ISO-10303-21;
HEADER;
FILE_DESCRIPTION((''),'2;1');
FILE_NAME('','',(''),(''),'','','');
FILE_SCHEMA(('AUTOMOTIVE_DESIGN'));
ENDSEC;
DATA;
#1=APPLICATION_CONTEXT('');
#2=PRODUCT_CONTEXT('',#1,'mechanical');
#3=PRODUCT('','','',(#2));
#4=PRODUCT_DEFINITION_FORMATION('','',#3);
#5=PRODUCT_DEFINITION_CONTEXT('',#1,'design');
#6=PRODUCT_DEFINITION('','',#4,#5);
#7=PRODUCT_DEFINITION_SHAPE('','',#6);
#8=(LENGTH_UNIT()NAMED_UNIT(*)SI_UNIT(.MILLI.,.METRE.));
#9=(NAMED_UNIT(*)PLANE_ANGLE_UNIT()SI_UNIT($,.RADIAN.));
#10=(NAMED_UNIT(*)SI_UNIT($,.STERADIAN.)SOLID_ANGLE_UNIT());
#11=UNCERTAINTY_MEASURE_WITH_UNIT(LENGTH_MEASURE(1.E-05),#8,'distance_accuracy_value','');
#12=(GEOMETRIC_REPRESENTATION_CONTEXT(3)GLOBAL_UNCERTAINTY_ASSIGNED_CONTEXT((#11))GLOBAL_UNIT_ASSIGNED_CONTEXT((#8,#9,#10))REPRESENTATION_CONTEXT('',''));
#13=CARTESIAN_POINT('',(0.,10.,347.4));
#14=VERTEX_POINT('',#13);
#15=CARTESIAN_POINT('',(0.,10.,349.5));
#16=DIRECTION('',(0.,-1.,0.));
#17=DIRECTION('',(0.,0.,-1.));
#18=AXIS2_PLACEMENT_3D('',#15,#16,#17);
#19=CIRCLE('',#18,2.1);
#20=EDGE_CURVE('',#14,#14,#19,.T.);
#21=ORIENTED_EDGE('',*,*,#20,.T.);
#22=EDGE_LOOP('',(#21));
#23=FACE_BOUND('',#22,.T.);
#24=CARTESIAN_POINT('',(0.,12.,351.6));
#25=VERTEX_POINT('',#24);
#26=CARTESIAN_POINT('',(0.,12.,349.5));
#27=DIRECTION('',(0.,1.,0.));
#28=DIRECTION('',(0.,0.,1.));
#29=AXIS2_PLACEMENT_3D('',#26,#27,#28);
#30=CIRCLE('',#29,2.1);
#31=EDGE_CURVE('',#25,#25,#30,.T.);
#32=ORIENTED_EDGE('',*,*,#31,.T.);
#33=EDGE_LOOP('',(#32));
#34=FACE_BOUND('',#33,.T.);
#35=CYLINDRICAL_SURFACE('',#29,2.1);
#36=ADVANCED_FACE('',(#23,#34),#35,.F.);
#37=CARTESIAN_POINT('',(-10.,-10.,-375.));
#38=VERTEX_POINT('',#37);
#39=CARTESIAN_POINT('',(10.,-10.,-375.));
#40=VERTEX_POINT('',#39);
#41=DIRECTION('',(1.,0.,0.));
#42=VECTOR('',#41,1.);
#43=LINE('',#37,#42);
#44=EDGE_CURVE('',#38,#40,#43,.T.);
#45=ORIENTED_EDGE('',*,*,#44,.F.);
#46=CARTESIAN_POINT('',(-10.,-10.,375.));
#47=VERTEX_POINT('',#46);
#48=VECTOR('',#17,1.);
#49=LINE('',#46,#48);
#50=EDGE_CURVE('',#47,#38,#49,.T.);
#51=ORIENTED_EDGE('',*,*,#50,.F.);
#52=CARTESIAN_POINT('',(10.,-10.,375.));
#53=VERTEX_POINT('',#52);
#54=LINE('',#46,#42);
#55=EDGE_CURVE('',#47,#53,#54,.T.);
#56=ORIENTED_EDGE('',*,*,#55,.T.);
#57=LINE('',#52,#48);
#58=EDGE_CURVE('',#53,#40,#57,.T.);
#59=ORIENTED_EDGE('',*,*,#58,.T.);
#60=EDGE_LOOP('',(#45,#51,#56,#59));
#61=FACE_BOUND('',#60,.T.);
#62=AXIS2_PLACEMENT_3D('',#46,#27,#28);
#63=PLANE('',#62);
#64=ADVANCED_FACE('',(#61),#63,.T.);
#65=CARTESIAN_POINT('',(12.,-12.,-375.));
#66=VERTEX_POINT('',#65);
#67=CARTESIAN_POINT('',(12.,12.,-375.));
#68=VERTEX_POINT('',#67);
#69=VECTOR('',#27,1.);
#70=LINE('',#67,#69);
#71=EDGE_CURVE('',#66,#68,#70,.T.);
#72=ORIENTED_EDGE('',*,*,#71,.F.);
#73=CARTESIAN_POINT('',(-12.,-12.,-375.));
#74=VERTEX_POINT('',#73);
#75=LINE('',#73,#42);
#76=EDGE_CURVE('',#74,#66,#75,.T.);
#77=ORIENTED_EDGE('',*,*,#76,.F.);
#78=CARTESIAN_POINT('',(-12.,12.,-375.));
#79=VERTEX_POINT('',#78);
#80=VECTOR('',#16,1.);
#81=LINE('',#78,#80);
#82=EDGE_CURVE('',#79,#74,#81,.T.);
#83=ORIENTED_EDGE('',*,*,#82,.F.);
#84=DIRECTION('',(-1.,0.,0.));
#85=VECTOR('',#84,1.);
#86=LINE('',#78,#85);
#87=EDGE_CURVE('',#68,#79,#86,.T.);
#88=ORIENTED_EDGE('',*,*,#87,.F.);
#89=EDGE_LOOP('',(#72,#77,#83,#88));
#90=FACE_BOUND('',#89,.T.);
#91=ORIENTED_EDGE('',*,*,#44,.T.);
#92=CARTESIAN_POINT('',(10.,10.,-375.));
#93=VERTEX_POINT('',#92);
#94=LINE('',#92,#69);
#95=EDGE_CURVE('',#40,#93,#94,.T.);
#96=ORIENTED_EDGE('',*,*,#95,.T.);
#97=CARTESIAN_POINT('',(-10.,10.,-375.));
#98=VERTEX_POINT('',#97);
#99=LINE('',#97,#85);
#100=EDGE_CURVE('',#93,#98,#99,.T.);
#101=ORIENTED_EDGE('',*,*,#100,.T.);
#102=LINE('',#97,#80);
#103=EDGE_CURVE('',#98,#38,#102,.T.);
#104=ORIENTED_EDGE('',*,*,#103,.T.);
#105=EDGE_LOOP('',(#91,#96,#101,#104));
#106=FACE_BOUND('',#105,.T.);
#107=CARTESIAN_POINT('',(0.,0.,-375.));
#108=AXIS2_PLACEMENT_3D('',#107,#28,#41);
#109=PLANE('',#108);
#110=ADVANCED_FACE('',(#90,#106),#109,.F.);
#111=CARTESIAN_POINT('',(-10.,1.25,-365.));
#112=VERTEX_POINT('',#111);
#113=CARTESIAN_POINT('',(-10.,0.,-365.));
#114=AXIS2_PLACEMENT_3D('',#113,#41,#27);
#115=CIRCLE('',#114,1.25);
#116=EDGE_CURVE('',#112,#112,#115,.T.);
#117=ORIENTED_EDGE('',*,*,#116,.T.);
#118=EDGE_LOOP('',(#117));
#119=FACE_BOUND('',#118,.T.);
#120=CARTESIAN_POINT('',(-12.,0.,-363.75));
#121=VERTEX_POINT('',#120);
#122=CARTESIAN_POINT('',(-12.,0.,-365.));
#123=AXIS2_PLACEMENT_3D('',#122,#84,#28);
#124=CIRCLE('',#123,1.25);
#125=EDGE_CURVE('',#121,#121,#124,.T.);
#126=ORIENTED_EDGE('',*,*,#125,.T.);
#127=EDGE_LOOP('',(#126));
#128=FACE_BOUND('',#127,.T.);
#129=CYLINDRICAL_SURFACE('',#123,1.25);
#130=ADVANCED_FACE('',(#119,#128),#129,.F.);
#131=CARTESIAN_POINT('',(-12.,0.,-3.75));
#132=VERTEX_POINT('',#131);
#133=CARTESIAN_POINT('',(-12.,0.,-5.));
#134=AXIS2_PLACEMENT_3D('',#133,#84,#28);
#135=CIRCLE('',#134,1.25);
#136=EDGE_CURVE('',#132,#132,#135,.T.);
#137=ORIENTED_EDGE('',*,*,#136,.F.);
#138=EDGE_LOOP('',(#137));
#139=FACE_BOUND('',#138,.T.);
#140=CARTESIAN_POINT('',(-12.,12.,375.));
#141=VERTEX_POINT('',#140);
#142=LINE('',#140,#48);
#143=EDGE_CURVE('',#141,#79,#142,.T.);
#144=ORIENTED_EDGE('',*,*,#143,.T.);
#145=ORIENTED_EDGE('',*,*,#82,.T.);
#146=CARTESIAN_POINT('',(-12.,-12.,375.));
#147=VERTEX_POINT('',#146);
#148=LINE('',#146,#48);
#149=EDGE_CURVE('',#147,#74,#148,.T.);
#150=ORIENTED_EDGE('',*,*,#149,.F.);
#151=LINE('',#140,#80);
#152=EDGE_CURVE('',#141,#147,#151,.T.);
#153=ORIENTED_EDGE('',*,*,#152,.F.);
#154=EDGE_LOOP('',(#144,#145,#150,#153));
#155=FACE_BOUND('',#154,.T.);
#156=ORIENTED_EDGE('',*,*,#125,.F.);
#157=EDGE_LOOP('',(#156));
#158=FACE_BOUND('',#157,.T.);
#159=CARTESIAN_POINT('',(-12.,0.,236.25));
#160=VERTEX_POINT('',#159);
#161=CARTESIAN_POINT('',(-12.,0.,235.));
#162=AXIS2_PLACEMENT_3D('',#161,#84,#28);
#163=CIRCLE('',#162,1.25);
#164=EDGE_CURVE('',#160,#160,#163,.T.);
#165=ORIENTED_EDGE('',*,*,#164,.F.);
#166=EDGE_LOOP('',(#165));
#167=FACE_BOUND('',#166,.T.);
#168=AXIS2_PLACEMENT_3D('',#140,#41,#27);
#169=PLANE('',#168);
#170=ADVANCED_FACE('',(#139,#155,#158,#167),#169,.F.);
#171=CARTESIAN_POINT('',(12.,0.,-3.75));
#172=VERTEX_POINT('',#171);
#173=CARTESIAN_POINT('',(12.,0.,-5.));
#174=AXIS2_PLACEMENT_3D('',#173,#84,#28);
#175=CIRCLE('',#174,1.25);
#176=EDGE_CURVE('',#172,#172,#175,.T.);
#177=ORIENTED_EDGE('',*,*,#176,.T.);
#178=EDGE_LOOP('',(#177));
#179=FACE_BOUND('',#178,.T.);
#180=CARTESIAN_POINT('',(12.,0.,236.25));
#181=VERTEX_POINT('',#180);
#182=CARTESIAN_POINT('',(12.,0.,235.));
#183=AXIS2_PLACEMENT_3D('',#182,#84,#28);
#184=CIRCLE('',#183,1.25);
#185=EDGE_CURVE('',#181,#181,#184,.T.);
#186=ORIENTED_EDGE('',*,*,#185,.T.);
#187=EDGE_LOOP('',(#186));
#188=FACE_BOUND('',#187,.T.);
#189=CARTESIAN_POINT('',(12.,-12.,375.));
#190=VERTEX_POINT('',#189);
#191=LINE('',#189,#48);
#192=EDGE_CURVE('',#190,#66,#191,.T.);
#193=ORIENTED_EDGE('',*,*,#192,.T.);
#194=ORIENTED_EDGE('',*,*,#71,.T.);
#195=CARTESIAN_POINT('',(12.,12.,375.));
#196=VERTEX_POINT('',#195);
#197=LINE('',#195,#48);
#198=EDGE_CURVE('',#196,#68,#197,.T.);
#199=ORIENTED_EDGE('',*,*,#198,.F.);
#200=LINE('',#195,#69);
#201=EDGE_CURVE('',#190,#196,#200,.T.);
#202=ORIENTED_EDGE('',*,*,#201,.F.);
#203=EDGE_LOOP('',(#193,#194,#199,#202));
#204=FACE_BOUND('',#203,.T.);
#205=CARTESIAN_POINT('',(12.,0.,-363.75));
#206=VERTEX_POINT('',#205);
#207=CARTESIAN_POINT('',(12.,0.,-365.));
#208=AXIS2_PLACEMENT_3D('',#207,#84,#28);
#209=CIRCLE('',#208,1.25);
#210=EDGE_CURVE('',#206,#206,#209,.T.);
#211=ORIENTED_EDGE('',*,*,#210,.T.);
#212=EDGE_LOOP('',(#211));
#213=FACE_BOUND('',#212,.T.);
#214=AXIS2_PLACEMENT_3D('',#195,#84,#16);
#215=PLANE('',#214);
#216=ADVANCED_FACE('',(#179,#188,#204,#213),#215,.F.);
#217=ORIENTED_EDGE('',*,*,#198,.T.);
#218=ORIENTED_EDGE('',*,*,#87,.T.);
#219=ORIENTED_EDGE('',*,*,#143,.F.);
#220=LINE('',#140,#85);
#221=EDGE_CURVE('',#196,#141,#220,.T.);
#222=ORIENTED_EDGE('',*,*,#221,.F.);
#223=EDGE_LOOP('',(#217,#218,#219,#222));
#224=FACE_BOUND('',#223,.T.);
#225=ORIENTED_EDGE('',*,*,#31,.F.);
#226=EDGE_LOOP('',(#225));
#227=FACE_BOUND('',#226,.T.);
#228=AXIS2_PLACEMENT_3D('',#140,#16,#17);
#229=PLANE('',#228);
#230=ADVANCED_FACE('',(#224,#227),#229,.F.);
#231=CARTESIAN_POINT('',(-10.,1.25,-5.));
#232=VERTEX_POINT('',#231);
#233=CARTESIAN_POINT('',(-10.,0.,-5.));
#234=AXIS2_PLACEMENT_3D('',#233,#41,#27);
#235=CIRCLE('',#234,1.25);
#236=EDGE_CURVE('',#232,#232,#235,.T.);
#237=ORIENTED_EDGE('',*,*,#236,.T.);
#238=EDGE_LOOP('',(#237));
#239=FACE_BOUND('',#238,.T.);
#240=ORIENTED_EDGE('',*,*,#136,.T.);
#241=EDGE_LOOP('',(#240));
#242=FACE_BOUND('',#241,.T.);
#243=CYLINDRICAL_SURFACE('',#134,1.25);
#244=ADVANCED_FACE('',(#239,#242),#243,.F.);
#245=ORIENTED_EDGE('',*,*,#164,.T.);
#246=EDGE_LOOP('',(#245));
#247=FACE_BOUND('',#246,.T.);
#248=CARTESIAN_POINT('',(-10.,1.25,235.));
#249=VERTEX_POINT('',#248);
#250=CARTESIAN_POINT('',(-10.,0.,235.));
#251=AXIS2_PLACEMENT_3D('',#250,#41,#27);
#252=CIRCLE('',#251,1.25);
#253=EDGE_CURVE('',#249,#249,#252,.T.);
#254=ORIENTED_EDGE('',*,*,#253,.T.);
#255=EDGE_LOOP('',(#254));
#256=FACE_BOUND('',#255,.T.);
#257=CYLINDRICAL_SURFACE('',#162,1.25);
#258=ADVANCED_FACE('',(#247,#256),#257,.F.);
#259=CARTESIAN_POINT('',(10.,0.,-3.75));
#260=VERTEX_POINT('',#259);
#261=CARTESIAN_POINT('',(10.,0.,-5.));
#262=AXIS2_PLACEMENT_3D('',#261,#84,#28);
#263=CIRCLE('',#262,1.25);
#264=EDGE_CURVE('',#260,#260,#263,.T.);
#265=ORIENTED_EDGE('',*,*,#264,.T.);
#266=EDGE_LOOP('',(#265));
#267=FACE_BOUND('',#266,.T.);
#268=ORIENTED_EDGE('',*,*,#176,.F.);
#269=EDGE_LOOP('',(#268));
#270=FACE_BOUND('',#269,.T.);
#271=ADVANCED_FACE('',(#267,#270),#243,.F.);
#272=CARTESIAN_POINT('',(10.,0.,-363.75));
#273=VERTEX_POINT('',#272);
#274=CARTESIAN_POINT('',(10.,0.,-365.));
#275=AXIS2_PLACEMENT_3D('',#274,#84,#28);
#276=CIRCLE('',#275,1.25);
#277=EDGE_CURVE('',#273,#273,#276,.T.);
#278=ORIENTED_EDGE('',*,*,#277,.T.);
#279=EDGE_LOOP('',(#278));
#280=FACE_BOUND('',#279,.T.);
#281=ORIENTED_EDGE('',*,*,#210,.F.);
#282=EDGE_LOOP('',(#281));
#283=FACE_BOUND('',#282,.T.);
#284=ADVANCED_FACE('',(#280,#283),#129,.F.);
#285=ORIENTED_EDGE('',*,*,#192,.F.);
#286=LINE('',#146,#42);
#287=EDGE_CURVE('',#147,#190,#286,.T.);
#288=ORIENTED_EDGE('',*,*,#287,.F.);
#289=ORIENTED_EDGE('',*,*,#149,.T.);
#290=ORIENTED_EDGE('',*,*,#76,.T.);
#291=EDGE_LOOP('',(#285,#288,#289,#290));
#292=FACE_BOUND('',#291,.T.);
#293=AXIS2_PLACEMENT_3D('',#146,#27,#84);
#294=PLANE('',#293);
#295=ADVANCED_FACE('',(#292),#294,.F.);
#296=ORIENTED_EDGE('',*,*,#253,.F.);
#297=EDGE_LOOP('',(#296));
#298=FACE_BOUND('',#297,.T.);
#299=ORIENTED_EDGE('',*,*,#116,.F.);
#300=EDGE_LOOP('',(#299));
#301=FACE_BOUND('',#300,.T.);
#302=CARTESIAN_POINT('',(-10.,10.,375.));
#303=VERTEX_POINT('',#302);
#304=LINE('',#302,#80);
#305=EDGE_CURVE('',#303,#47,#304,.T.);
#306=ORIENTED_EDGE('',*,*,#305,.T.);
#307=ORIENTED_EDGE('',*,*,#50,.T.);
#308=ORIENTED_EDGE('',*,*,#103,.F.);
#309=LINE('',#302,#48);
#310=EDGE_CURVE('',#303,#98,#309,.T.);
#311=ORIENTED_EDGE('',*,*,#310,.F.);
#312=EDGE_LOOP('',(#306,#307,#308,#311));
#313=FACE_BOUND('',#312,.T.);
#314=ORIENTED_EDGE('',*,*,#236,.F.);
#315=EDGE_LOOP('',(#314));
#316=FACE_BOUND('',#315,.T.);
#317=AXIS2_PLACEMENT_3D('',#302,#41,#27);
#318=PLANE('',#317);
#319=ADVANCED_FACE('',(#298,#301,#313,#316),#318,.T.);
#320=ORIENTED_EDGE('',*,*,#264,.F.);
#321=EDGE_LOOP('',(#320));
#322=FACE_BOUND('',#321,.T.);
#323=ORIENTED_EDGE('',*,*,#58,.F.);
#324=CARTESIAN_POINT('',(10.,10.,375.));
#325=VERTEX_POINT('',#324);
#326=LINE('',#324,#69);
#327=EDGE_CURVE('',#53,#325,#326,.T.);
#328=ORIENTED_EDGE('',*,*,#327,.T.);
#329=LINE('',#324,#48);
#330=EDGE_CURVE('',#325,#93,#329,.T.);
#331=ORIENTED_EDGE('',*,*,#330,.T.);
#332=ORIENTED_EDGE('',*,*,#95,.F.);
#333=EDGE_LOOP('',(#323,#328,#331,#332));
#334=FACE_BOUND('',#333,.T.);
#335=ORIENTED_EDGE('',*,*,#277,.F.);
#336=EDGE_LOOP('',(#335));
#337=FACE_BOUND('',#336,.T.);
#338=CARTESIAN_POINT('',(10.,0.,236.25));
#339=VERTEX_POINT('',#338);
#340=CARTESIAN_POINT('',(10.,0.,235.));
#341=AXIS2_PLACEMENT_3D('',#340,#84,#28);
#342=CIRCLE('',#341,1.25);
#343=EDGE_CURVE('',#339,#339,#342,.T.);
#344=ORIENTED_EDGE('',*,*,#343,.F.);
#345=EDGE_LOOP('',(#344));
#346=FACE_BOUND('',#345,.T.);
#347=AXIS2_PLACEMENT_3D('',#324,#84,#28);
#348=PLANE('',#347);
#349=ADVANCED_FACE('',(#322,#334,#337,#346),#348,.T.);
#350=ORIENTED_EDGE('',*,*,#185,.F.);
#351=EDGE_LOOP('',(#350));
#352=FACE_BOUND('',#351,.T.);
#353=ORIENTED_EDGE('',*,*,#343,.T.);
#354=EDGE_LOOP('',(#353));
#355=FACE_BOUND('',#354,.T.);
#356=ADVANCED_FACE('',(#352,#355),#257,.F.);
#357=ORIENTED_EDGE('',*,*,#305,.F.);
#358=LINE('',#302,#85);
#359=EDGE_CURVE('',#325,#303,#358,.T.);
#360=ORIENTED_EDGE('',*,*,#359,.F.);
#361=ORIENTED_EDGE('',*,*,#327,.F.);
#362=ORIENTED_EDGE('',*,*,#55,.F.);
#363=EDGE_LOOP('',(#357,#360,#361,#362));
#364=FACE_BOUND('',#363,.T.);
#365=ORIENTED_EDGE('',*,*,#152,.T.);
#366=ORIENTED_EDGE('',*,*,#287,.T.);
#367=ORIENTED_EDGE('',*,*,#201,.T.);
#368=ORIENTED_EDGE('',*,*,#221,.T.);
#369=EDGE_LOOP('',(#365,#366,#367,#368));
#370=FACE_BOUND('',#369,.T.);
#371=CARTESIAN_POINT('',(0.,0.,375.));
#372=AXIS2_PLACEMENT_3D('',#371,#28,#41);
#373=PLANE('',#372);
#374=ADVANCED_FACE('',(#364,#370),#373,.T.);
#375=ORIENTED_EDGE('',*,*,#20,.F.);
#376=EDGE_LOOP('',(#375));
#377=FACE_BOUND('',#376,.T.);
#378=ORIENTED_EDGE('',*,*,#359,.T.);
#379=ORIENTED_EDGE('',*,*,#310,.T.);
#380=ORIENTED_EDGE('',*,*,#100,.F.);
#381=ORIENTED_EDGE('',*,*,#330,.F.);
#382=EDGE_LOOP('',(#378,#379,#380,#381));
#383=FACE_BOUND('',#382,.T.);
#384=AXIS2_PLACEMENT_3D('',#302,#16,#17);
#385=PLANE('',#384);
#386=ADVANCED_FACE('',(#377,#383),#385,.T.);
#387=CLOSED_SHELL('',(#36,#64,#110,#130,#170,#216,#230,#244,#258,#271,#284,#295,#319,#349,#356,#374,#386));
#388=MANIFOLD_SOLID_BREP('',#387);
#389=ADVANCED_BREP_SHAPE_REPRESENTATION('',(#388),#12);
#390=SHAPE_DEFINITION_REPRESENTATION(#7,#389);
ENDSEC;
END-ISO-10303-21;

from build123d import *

# Parameters (mm, degrees)
SKETCH_1_W             = 24
SKETCH_1_H             = 24
SKETCH_1_W_2           = 20
SKETCH_1_H_2           = 20
EXTRUDE_1_DEPTH        = 375
HOLE_WIZARD_M3_1_D     = 2.5
HOLE_WIZARD_M5_1_D     = 4.2
HOLE_WIZARD_M5_1_DEPTH = 10
HOLE_WIZARD_M5_1_TIP   = 1.2618073


with BuildPart() as part:
    # 草图1 → 凸台-拉伸1 (new, symmetric)
    with BuildSketch(Plane.XY):
        Rectangle(SKETCH_1_W, SKETCH_1_H)
        Rectangle(SKETCH_1_W_2, SKETCH_1_H_2, mode=Mode.SUBTRACT)
    extrude(amount=EXTRUDE_1_DEPTH, both=True)

    # M3 螺纹孔的螺纹孔钻头1 (through all)
    with Locations(Plane(origin=(-12, 0, -365), x_dir=(0, -1, 0), z_dir=(-1, 0, 0))):
        with Locations((0, 0), (0, 360), (0, 600)):
            Hole(HOLE_WIZARD_M3_1_D / 2)

    # M5 螺纹孔的螺纹孔钻头1
    with Locations(Plane(origin=(0, 12, 349.5), x_dir=(0, 0, 1), z_dir=(0, 1, 0))):
        with Locations((0, 0)):
            Hole(HOLE_WIZARD_M5_1_D / 2, depth=HOLE_WIZARD_M5_1_DEPTH)
            with Locations((0, 0, -(HOLE_WIZARD_M5_1_DEPTH + HOLE_WIZARD_M5_1_TIP / 2))):  # 118° drill point
                Cone(0, HOLE_WIZARD_M5_1_D / 2, HOLE_WIZARD_M5_1_TIP, mode=Mode.SUBTRACT)


solid = part.part
